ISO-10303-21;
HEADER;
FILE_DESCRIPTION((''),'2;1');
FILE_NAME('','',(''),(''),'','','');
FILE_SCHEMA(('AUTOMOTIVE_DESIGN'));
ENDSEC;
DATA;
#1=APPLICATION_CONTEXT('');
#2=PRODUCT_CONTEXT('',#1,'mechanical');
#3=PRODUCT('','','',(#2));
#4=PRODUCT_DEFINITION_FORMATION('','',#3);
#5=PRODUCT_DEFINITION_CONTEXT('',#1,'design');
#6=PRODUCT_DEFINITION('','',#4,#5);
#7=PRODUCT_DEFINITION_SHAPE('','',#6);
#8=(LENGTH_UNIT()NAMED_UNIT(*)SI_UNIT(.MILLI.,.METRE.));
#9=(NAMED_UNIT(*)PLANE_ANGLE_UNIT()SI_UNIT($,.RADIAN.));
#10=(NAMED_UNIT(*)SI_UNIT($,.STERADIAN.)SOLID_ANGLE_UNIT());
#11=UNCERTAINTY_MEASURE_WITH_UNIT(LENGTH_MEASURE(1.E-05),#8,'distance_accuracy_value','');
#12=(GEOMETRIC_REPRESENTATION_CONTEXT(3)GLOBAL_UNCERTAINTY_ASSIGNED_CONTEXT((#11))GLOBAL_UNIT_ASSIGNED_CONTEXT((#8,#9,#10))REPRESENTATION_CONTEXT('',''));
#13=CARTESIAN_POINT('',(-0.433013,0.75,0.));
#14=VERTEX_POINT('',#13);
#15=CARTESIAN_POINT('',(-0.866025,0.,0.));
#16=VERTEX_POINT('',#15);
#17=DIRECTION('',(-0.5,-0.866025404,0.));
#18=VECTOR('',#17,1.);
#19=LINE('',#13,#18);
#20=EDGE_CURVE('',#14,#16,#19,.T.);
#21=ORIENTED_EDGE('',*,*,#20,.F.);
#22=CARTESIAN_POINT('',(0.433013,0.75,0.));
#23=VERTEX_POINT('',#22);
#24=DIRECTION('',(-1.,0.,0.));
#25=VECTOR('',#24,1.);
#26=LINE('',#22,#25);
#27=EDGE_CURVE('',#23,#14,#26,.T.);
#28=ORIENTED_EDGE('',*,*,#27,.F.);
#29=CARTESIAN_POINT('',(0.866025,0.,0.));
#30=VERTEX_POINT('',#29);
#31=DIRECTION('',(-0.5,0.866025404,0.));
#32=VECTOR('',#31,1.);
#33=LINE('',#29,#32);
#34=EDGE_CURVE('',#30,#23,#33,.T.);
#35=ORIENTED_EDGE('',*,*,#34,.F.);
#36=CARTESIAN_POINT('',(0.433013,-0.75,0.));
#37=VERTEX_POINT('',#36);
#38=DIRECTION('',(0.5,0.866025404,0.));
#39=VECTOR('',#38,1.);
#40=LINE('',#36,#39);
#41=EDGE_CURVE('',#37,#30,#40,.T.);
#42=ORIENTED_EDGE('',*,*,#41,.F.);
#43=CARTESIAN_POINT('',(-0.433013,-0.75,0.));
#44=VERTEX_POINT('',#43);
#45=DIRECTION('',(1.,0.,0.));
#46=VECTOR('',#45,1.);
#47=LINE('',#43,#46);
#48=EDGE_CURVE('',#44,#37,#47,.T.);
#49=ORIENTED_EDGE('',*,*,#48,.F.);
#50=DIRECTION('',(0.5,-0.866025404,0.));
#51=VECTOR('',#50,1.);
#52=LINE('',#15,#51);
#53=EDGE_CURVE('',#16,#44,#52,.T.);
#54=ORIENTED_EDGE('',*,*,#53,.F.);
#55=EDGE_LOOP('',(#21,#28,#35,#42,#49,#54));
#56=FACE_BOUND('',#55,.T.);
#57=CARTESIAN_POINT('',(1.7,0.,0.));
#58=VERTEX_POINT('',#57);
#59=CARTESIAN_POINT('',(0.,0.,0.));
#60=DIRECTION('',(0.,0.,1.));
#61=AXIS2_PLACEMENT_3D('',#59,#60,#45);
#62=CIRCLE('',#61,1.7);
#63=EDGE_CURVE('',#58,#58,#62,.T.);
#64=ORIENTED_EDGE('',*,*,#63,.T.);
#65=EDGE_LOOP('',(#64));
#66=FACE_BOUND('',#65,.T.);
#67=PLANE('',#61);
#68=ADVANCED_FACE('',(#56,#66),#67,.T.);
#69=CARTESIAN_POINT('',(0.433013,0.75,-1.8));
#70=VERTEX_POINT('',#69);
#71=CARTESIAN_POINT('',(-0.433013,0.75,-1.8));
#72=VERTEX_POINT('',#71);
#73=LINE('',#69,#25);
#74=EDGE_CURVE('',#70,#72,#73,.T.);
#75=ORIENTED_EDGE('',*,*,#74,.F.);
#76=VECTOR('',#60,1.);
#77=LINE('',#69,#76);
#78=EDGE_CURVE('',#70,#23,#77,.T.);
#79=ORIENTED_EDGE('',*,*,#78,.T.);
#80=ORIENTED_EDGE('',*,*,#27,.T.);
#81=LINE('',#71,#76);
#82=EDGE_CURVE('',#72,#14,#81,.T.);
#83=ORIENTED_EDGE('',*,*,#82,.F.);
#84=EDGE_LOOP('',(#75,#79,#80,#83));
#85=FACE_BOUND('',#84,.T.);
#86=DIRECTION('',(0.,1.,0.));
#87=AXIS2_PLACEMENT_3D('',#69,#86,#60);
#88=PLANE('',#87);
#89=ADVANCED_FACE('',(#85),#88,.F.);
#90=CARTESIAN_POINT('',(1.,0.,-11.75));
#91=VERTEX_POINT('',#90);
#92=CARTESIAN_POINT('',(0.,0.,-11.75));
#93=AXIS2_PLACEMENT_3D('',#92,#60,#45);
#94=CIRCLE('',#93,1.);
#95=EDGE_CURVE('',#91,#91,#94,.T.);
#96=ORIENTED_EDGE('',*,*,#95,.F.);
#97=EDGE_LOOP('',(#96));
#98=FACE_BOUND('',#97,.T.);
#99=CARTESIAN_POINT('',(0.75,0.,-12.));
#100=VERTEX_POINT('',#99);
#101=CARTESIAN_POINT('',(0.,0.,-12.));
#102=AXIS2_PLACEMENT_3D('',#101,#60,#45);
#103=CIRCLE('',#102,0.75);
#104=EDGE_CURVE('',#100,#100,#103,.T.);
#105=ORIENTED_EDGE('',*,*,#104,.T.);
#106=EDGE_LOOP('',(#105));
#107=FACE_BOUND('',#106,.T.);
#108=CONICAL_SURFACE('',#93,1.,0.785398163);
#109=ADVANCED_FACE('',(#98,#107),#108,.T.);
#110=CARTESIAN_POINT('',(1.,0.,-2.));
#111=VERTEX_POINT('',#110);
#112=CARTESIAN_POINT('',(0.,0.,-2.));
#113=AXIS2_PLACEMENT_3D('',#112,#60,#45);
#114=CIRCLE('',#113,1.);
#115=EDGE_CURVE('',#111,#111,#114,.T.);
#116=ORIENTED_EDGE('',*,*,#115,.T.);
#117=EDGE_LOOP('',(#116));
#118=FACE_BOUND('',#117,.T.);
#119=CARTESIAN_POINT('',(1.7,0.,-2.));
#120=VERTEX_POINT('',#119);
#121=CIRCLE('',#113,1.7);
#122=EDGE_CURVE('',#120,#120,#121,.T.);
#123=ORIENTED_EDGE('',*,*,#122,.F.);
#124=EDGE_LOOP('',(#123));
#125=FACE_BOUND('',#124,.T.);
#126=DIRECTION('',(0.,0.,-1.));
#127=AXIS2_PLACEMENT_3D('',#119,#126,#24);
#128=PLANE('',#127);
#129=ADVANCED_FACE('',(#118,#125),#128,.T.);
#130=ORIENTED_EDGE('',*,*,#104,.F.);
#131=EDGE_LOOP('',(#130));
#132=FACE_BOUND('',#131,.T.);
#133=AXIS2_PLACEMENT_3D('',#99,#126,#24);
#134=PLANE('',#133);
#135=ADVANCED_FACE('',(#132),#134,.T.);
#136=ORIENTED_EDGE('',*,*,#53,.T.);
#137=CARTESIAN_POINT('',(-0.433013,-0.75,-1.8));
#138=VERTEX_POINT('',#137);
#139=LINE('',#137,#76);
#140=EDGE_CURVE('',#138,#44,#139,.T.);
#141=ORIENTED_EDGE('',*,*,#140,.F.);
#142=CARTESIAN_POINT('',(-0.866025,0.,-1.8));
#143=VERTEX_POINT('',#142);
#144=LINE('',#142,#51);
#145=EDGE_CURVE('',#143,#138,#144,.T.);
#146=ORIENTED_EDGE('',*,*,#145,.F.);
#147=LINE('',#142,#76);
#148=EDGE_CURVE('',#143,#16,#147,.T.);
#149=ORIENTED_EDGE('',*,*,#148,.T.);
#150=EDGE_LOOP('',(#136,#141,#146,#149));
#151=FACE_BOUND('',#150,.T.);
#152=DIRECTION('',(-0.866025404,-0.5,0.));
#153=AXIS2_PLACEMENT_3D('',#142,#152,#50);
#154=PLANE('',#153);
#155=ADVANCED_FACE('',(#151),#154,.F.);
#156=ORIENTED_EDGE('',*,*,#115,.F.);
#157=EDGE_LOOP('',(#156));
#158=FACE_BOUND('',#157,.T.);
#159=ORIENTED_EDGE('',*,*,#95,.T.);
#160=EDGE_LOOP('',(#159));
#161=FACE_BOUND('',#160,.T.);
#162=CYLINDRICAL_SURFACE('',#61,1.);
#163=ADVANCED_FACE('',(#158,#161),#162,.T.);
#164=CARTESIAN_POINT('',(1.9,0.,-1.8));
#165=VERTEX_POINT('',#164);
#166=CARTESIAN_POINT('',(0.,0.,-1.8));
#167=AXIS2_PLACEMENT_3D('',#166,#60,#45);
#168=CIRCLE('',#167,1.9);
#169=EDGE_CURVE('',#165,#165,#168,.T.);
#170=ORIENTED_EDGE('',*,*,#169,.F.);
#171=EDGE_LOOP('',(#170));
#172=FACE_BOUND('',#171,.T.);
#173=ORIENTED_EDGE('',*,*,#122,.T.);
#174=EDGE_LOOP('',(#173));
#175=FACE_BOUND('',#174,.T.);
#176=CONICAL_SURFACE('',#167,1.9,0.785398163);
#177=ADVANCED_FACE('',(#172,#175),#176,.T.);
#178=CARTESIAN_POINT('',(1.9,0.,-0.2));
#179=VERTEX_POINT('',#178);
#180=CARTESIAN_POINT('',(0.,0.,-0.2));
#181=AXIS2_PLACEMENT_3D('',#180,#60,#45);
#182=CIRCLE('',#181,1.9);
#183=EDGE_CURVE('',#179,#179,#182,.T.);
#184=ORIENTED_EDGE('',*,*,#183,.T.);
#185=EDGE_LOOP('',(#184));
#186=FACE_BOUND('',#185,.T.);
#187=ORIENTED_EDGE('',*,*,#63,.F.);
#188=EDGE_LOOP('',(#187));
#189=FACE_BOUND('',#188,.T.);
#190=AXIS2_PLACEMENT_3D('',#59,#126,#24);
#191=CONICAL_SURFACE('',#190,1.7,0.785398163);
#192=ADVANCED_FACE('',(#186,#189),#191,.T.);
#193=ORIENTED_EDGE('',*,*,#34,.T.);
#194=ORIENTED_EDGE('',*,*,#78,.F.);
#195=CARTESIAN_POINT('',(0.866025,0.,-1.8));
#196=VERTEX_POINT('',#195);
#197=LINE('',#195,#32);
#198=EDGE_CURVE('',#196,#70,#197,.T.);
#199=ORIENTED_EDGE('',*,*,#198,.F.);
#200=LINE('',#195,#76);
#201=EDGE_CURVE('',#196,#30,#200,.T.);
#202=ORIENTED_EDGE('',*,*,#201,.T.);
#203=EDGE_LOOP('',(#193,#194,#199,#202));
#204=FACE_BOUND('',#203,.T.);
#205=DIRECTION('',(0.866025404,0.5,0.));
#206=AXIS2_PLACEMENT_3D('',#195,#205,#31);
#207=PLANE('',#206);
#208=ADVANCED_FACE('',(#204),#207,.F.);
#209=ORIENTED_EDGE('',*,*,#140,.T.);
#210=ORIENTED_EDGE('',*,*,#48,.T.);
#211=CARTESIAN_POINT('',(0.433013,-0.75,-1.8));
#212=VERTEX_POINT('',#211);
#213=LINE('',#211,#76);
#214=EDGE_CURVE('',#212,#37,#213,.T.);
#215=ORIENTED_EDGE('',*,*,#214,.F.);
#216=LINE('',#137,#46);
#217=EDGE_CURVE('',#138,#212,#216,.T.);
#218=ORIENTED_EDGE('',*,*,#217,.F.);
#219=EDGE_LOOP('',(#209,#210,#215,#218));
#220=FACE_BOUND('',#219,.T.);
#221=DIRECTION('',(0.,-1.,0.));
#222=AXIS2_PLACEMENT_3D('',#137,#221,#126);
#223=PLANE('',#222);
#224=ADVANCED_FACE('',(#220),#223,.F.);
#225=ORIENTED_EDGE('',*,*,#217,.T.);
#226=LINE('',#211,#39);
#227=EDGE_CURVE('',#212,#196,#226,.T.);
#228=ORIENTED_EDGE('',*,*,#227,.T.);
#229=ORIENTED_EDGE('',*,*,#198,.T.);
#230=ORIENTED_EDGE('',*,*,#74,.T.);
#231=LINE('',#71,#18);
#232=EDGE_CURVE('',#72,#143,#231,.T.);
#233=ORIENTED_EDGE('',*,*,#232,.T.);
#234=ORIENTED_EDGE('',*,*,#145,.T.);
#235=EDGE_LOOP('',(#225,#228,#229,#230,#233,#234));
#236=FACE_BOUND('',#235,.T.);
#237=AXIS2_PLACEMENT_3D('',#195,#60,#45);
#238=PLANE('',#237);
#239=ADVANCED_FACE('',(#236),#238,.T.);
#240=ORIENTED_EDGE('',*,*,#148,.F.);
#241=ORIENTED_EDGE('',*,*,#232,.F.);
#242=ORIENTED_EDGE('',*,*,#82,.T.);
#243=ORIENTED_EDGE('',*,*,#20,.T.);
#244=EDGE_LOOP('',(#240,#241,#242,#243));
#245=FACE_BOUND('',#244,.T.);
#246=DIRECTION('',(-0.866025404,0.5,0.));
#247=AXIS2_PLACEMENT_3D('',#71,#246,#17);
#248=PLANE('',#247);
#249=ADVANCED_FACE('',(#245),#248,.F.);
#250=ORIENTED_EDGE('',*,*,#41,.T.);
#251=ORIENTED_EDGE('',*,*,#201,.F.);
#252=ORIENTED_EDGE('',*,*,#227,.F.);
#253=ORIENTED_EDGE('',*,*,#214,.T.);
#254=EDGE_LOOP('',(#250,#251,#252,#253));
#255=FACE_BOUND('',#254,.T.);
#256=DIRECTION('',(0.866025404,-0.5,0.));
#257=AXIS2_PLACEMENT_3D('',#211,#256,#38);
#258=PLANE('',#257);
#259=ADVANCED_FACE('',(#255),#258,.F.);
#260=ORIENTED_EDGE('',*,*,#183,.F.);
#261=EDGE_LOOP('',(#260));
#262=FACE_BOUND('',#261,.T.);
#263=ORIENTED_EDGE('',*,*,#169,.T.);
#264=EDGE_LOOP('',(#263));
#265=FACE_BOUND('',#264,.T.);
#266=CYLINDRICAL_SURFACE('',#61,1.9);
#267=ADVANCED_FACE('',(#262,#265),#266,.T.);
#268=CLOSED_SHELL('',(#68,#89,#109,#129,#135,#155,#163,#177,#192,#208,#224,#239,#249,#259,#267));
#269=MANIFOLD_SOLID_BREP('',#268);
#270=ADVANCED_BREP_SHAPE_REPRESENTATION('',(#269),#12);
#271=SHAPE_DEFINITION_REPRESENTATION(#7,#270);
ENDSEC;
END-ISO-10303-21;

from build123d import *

# Parameters (mm, degrees)
CUT_EXTRUDE_1_DEPTH = 1.8


with BuildPart() as part:
    # Эскиз1 → Повернуть1 (revolve)
    with BuildSketch(Plane(origin=(0, 0, 0), x_dir=(1, 0, 0), z_dir=(0, 1, 0))):
        Polygon((0, 0), (1.7, 0), (1.9, 0.2), (1.9, 1.8), (1.7, 2), (1, 2), (1, 11.75), (0.75, 12), (0, 12), align=None)
    revolve(axis=Axis((0, 0, 0), (0, 0, -1)))

    # Эскиз2 → Вырез-Вытянуть1 (cut)
    with BuildSketch(Plane.XY):
        Polygon((0.866025404, 0), (0.433012702, 0.75), (-0.433012702, 0.75), (-0.866025404, 0), (-0.433012702, -0.75), (0.433012702, -0.75), align=None)
    extrude(amount=-CUT_EXTRUDE_1_DEPTH, mode=Mode.SUBTRACT)


solid = part.part
